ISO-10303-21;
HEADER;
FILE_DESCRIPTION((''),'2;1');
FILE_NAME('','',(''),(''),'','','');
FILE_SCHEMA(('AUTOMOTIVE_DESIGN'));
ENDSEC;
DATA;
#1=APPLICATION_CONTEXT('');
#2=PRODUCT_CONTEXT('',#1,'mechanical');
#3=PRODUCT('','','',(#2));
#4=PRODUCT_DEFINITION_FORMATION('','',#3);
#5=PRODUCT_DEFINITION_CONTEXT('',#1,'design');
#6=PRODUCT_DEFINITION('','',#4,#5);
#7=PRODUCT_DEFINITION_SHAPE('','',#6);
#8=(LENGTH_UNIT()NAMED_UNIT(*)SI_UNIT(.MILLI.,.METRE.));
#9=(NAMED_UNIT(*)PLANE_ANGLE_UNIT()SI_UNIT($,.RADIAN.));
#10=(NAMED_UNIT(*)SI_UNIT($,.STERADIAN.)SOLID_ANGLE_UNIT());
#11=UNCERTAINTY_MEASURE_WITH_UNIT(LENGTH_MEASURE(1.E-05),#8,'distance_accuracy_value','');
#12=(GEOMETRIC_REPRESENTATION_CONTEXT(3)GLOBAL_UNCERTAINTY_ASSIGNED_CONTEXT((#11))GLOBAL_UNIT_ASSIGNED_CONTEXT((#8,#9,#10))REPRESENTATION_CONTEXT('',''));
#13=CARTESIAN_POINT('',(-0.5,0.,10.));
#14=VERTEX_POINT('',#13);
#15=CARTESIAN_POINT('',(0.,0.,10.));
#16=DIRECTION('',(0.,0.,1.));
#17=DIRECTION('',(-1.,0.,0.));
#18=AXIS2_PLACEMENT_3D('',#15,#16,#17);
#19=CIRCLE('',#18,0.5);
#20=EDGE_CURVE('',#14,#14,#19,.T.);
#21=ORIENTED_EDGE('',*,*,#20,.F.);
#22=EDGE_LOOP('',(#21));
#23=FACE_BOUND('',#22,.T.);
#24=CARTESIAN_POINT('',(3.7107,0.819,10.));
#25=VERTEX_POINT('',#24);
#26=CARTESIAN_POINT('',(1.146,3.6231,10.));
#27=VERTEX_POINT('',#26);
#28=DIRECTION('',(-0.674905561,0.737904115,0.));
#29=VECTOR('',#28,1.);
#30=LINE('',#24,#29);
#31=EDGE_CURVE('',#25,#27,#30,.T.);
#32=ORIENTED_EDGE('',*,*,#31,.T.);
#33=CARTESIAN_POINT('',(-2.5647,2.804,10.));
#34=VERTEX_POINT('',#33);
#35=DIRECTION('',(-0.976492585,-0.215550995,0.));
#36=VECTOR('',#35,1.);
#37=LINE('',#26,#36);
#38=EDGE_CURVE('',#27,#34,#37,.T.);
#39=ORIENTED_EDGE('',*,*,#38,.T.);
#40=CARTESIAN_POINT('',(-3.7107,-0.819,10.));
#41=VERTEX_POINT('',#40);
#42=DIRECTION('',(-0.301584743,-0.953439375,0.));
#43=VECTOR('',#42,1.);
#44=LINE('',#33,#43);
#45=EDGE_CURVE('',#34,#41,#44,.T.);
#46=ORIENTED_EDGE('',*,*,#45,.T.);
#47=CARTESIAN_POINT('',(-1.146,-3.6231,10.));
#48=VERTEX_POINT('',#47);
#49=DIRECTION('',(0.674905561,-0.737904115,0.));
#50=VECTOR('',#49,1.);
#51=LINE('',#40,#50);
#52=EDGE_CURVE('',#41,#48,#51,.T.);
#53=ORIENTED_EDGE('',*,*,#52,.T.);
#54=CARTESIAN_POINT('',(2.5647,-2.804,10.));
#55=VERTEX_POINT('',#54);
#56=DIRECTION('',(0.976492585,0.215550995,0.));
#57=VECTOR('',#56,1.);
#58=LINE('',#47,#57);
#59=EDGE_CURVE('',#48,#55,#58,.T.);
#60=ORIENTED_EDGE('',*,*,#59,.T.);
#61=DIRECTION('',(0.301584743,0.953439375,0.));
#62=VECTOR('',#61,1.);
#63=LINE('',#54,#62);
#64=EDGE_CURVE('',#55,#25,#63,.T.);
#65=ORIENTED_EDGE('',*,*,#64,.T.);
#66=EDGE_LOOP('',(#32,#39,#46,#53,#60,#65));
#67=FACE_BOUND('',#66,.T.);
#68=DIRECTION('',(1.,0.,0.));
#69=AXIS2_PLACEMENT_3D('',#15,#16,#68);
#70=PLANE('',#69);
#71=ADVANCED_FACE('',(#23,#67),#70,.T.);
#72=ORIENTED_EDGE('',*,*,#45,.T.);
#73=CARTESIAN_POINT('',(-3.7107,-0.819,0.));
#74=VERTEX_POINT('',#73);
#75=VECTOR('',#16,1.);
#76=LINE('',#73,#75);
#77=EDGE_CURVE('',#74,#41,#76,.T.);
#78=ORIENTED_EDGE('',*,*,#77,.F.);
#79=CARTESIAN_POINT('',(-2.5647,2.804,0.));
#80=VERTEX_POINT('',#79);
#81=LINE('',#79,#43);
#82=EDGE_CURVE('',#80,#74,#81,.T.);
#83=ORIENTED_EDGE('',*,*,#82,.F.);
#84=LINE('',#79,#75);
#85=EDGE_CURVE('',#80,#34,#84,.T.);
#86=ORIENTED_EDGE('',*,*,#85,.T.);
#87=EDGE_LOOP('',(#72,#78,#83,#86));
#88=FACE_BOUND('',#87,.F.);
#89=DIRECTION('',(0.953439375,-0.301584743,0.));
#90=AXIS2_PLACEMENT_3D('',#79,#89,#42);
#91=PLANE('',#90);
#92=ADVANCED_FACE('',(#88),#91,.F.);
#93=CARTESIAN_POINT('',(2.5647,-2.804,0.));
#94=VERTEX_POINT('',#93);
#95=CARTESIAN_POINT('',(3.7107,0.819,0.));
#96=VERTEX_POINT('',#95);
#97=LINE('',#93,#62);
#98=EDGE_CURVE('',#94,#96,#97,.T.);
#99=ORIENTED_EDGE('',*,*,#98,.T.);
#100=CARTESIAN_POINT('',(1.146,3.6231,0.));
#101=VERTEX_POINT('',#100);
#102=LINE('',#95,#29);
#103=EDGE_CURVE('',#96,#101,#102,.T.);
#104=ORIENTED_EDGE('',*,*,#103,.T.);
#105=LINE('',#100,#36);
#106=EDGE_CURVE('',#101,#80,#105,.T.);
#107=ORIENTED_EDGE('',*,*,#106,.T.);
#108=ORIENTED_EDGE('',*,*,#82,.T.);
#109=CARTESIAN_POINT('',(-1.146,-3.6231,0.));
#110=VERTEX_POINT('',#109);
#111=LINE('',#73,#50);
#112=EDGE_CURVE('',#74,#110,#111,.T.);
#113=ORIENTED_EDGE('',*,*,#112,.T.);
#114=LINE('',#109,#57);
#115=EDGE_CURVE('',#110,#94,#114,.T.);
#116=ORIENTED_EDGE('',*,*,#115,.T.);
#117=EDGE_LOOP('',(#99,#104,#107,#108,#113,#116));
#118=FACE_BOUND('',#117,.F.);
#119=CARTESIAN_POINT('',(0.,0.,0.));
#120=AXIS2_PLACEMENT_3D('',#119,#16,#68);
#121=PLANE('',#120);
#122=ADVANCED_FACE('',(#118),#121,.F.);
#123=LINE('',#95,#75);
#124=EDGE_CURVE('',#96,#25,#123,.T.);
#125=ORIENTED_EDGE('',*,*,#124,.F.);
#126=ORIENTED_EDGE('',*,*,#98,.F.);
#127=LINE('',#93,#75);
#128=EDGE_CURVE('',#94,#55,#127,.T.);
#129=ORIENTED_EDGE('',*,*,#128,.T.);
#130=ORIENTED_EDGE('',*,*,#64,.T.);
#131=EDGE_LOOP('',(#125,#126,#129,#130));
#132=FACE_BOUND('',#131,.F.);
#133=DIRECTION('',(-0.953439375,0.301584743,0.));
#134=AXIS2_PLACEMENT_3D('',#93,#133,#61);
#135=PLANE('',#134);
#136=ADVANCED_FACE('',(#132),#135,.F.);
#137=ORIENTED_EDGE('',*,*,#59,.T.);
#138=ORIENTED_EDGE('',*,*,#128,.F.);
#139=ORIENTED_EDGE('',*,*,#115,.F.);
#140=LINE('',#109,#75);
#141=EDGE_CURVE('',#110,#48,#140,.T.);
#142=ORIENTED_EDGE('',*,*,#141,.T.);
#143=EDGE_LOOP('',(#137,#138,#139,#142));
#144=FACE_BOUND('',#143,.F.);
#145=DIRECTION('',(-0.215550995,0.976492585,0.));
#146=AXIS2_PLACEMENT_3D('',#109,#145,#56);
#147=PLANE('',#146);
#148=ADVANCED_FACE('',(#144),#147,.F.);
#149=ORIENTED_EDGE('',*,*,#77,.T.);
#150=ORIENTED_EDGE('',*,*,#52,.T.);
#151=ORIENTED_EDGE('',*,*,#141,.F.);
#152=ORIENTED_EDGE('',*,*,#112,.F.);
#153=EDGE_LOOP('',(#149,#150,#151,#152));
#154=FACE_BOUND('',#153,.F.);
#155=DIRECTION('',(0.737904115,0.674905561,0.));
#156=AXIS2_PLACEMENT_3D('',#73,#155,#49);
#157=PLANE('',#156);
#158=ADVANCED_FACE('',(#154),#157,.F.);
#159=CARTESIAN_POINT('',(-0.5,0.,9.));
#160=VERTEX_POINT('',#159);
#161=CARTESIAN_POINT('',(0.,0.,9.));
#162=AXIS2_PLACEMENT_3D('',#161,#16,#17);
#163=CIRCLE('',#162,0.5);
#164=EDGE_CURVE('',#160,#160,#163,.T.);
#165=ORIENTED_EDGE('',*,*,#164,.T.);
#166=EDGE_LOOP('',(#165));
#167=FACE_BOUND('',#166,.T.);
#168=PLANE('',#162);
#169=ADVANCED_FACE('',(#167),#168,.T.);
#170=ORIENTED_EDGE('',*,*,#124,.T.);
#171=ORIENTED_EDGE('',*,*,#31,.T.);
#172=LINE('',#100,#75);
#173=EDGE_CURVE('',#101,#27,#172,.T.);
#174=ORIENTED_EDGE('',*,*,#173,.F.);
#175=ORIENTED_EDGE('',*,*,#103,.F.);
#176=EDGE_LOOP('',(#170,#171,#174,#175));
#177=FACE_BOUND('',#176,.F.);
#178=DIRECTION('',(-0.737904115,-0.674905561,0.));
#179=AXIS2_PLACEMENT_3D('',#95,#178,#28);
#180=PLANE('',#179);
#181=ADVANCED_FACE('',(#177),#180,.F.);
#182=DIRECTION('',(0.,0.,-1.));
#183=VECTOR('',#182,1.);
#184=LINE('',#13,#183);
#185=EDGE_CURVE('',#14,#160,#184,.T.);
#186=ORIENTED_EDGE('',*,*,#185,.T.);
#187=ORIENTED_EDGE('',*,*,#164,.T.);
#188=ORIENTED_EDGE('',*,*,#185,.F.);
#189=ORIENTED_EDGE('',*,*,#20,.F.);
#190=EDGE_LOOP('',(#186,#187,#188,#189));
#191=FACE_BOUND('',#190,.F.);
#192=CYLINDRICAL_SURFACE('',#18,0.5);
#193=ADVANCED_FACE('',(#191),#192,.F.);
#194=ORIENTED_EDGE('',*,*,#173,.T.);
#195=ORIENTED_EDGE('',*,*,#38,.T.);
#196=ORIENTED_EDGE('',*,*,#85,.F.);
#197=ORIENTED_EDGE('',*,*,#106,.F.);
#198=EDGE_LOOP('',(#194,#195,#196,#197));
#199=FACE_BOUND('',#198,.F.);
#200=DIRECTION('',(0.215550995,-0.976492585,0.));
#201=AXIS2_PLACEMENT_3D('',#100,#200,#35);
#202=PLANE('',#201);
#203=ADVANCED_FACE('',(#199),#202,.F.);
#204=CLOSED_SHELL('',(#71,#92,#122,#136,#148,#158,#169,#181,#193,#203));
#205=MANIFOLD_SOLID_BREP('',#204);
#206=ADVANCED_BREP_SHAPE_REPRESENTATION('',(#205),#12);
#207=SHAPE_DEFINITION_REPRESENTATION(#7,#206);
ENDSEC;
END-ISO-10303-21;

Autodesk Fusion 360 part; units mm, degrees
sketch "Sketch1" plane through (0, 0, 0) normal (0, 0, 1) x (1, 0, 0)
  line L0 (2.5647, -2.804) -> (3.7107, 0.819)
  line L1 (3.7107, 0.819) -> (1.146, 3.6231)
  line L2 (1.146, 3.6231) -> (-2.5647, 2.804)
  line L3 (-2.5647, 2.804) -> (-3.7107, -0.819)
  line L4 (-3.7107, -0.819) -> (-1.146, -3.6231)
  line L5 (-1.146, -3.6231) -> (2.5647, -2.804)
  dimension "d1" = 3.8
extrude "Extrude1" add sketch "Sketch1" along normal blind 10
sketch "Sketch2" plane through (0, 0, 10) normal (0, 0, 1) x (-1, 0, 0)
  line L0 (1.146, 3.6231) -> (-2.5647, 2.804)
  line L1 (-2.5647, 2.804) -> (-3.7107, -0.819)
  line L2 (-3.7107, -0.819) -> (-1.146, -3.6231)
  line L3 (-1.146, -3.6231) -> (2.5647, -2.804)
  line L4 (2.5647, -2.804) -> (3.7107, 0.819)
  line L5 (3.7107, 0.819) -> (1.146, 3.6231)
  circle A0 centre (0, 0) radius 0.5
  dimension "d6" = 1
extrude "Extrude3" cut sketch "Sketch2" against normal blind 1 contours A0
equation "d1 = polygon_side"
equation "d2 = polygon_height"
equation "polygon_side = 3.8 mm"
equation "polygon_height = 10 mm"
equation "d6 = nail_radius * 2"
equation "nail_radius = 0.5 mm"
equation "nail_depth = 1 mm"
equation "d11 = -nail_depth"
